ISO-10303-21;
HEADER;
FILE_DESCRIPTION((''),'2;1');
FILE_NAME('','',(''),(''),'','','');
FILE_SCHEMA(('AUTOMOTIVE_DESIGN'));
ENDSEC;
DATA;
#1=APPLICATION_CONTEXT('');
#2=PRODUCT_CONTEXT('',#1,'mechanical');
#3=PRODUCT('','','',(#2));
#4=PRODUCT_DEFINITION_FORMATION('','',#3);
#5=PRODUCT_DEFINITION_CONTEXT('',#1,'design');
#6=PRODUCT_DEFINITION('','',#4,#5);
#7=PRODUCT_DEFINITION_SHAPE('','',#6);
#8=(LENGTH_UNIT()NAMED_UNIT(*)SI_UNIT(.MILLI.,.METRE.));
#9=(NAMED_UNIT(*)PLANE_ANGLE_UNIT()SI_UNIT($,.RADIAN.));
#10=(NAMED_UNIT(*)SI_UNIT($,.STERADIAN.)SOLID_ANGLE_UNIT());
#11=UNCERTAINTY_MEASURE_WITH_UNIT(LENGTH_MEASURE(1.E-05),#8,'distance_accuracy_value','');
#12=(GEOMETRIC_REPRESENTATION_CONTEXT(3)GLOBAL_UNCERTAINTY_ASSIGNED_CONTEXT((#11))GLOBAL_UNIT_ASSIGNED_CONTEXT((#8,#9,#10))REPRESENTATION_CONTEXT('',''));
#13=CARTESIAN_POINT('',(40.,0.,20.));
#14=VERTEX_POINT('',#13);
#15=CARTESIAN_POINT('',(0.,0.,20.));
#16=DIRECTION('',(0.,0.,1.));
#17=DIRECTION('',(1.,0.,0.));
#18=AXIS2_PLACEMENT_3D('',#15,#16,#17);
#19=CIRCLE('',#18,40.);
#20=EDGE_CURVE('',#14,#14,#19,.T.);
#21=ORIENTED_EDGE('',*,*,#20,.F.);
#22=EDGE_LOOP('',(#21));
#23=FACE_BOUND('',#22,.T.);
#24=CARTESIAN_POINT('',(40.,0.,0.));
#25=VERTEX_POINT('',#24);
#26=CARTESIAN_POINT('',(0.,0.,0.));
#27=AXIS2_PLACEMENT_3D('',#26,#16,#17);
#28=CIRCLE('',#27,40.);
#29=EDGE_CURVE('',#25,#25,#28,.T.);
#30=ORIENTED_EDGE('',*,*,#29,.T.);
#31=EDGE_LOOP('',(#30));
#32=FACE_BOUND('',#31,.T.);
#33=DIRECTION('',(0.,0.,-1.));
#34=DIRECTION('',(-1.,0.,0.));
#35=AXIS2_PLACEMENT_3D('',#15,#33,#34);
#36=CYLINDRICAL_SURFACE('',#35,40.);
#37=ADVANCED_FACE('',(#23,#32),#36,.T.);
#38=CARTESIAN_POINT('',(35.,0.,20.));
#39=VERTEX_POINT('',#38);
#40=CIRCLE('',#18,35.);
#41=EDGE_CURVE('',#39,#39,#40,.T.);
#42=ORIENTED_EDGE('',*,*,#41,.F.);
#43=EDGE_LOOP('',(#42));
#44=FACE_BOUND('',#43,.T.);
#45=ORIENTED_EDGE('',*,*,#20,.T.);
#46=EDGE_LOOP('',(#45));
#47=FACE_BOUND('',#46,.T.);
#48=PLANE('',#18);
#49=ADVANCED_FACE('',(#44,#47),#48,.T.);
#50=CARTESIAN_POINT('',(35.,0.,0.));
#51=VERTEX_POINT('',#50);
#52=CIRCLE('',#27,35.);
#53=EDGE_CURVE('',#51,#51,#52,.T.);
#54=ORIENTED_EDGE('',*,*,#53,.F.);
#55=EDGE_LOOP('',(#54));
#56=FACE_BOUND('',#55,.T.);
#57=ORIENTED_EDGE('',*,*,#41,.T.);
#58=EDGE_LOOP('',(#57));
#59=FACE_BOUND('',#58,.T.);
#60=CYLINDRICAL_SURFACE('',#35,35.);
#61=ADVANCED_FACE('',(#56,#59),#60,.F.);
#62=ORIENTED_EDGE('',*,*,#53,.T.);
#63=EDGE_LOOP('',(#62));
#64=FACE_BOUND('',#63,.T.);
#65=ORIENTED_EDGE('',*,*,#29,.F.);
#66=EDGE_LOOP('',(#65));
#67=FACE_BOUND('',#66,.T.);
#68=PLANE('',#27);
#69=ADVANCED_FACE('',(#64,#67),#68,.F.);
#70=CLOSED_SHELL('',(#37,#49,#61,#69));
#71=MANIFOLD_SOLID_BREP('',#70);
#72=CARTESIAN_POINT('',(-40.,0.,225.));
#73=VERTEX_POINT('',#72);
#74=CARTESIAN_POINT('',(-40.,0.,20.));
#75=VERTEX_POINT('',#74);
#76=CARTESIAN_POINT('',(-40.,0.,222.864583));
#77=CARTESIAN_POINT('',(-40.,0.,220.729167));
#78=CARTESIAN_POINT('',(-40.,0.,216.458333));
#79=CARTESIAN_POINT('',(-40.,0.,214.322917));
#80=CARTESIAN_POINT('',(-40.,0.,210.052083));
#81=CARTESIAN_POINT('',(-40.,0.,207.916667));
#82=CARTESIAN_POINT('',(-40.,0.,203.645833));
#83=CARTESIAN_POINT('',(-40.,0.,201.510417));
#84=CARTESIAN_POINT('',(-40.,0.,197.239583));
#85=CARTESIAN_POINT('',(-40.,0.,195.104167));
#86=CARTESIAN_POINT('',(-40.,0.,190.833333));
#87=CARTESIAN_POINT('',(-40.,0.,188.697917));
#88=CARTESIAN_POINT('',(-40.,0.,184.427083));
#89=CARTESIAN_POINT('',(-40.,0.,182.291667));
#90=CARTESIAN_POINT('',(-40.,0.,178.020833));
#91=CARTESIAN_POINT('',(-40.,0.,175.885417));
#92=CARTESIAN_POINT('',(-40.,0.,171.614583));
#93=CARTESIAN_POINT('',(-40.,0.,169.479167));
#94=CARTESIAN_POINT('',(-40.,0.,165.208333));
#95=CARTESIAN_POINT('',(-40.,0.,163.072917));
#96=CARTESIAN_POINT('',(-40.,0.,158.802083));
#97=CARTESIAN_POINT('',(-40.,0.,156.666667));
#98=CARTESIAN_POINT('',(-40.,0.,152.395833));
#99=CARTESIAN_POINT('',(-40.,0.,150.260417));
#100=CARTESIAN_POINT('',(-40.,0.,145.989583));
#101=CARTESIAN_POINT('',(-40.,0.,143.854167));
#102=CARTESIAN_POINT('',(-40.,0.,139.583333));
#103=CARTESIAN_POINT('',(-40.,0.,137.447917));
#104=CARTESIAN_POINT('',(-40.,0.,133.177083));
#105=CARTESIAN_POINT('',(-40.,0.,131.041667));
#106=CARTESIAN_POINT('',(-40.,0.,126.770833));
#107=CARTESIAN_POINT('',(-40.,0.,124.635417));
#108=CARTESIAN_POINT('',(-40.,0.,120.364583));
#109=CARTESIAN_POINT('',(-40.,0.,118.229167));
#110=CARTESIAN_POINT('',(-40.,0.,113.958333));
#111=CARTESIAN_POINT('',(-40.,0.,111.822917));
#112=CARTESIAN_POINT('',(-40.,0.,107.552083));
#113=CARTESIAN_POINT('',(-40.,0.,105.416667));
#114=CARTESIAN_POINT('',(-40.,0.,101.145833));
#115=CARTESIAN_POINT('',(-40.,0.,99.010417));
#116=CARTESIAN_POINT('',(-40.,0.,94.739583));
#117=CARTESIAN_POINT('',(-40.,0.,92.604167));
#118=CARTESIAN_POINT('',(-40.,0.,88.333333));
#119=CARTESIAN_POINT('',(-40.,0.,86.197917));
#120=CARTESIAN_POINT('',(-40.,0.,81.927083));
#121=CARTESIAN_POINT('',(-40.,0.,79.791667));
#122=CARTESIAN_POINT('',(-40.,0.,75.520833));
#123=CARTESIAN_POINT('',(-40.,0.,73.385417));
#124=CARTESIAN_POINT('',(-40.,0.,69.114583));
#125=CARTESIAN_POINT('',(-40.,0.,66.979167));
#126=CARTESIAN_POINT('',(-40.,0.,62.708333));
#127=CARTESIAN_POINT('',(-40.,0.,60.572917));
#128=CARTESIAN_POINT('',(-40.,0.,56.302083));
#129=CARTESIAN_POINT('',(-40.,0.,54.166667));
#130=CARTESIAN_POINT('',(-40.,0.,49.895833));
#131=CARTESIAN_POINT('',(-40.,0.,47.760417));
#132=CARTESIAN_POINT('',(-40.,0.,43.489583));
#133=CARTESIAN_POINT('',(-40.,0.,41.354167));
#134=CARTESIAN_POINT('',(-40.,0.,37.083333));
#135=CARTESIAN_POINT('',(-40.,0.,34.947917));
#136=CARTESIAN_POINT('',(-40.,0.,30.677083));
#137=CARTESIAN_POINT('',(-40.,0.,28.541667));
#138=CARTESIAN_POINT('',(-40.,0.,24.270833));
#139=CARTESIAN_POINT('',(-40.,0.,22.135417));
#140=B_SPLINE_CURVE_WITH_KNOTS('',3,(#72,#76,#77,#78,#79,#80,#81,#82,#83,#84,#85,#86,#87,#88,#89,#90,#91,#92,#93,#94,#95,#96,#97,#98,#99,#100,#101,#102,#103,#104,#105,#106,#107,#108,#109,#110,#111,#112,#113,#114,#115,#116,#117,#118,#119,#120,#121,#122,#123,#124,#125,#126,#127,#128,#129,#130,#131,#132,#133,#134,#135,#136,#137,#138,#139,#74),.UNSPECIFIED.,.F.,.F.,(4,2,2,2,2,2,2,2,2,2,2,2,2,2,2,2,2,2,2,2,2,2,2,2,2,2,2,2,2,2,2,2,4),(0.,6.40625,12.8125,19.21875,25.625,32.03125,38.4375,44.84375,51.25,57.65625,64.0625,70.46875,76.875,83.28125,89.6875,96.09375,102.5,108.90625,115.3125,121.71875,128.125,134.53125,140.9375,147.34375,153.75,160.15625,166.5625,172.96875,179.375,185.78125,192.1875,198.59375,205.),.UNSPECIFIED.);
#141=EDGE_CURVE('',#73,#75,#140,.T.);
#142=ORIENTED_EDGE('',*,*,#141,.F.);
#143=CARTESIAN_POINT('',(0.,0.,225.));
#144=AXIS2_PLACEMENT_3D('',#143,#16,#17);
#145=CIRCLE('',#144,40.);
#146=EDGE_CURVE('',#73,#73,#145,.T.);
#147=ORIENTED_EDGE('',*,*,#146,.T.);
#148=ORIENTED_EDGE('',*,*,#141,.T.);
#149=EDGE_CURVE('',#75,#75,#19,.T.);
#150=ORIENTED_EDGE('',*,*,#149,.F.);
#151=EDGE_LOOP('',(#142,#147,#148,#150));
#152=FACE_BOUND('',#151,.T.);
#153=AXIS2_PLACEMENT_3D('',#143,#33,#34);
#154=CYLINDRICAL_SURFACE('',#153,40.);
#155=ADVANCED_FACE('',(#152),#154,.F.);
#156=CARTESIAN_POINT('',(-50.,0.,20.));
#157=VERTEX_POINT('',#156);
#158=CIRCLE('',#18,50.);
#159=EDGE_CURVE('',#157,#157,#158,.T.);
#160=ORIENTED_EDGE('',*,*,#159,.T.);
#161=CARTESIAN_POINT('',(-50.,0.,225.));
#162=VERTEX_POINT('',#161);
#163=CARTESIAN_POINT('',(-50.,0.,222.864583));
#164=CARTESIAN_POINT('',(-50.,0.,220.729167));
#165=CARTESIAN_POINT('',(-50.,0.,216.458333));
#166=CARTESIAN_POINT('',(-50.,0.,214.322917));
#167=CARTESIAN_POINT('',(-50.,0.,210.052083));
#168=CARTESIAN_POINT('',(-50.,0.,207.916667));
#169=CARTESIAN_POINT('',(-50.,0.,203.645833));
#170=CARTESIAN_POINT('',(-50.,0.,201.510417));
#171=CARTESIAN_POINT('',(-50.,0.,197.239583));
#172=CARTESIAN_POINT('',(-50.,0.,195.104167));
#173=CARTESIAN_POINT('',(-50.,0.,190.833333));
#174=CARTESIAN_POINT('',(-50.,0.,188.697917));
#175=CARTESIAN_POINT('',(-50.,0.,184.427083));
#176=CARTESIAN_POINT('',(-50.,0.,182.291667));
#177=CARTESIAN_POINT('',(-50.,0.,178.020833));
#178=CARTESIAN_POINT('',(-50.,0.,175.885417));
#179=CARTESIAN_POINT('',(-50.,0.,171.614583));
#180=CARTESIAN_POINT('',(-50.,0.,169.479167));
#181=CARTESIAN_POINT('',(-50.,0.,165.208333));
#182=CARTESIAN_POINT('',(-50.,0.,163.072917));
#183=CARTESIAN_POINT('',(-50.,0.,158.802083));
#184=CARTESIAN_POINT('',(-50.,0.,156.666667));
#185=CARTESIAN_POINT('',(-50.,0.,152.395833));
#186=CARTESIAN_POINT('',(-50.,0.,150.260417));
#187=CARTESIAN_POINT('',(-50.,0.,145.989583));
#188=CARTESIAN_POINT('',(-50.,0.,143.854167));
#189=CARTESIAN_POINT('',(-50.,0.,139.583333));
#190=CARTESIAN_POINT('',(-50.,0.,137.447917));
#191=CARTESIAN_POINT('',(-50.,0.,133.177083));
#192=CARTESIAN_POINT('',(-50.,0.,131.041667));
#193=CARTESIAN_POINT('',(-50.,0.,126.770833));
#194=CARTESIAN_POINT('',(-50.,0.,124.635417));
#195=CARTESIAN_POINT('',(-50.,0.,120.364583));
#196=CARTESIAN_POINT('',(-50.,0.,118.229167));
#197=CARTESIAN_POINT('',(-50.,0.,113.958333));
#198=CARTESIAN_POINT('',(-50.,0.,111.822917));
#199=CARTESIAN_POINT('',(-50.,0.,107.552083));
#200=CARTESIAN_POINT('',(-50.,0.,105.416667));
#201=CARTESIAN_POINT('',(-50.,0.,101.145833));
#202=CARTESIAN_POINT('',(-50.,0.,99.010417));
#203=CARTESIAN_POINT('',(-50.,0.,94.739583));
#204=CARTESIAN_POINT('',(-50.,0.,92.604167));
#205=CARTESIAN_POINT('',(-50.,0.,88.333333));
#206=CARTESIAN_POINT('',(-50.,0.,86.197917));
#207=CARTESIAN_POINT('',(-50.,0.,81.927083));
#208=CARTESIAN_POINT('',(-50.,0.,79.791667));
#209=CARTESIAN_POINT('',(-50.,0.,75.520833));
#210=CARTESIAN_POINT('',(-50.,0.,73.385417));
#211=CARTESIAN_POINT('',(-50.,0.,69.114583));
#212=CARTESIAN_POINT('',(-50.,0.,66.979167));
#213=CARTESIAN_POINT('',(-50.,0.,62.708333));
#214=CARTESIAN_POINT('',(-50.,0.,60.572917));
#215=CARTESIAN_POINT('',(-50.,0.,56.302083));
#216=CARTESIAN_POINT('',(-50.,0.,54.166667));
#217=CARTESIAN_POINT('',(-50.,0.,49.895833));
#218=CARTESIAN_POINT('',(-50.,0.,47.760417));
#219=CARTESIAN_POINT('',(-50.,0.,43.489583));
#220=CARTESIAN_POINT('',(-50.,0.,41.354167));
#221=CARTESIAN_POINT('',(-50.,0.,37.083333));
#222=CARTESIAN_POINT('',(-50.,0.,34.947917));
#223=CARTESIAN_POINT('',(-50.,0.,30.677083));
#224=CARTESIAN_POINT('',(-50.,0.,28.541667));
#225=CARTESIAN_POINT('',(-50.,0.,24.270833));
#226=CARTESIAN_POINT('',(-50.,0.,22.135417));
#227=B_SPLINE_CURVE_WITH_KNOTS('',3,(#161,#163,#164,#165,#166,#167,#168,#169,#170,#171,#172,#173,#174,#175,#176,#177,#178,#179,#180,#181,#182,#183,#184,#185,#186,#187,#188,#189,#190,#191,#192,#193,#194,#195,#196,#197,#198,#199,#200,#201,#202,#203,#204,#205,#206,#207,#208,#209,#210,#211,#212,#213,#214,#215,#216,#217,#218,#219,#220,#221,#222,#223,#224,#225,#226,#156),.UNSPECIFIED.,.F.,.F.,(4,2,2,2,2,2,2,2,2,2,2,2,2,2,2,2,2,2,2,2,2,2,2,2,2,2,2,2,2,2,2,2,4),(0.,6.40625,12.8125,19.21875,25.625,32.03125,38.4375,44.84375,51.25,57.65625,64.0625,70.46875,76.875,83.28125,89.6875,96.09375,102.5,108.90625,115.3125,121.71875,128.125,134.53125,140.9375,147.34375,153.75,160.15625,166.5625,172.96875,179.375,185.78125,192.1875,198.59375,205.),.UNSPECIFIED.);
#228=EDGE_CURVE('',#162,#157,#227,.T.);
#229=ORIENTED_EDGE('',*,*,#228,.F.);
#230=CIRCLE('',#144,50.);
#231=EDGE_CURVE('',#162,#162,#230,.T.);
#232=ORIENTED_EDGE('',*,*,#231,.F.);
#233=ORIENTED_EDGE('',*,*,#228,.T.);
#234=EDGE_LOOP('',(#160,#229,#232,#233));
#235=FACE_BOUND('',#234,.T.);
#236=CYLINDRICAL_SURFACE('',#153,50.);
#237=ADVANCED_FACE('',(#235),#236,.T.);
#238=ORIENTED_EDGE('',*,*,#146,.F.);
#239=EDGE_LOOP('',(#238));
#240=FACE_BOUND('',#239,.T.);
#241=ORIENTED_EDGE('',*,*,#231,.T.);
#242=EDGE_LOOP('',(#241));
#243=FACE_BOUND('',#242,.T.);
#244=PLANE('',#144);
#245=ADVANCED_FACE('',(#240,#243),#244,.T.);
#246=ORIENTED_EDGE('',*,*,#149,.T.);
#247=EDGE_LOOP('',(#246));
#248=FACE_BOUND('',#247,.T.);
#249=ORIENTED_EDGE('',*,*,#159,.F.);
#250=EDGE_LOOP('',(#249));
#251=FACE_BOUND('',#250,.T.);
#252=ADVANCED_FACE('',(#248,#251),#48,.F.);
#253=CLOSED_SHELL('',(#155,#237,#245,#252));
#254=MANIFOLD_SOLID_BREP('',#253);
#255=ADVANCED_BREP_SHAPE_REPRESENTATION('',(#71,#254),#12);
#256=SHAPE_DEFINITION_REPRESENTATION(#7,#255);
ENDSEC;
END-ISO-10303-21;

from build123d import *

# Parameters (mm, degrees)
SKETCH_1_R      = 40
SKETCH_1_R_2    = 35
EXTRUDE_1_DEPTH = 20
SKETCH_2_R      = 50
SKETCH_2_R_2    = 40
EXTRUDE_3_DEPTH = 205


with BuildPart() as part:
    # 草图1 → 凸台-拉伸1 (new body)
    with BuildSketch(Plane.XY):
        Circle(SKETCH_1_R)
        Circle(SKETCH_1_R_2, mode=Mode.SUBTRACT)
    extrude(amount=EXTRUDE_1_DEPTH)


with BuildPart() as body_2:
    # 草图2 → 凸台-拉伸3 (new body)
    with BuildSketch(Plane.XY.offset(20)):
        with Locations(Location((0, 0, 0), (0, 0, 180))):
            Circle(SKETCH_2_R)
        with Locations(Location((0, 0, 0), (0, 0, 180))):
            Circle(SKETCH_2_R_2, mode=Mode.SUBTRACT)
    extrude(amount=EXTRUDE_3_DEPTH)


solid = Compound([part.part, body_2.part])
